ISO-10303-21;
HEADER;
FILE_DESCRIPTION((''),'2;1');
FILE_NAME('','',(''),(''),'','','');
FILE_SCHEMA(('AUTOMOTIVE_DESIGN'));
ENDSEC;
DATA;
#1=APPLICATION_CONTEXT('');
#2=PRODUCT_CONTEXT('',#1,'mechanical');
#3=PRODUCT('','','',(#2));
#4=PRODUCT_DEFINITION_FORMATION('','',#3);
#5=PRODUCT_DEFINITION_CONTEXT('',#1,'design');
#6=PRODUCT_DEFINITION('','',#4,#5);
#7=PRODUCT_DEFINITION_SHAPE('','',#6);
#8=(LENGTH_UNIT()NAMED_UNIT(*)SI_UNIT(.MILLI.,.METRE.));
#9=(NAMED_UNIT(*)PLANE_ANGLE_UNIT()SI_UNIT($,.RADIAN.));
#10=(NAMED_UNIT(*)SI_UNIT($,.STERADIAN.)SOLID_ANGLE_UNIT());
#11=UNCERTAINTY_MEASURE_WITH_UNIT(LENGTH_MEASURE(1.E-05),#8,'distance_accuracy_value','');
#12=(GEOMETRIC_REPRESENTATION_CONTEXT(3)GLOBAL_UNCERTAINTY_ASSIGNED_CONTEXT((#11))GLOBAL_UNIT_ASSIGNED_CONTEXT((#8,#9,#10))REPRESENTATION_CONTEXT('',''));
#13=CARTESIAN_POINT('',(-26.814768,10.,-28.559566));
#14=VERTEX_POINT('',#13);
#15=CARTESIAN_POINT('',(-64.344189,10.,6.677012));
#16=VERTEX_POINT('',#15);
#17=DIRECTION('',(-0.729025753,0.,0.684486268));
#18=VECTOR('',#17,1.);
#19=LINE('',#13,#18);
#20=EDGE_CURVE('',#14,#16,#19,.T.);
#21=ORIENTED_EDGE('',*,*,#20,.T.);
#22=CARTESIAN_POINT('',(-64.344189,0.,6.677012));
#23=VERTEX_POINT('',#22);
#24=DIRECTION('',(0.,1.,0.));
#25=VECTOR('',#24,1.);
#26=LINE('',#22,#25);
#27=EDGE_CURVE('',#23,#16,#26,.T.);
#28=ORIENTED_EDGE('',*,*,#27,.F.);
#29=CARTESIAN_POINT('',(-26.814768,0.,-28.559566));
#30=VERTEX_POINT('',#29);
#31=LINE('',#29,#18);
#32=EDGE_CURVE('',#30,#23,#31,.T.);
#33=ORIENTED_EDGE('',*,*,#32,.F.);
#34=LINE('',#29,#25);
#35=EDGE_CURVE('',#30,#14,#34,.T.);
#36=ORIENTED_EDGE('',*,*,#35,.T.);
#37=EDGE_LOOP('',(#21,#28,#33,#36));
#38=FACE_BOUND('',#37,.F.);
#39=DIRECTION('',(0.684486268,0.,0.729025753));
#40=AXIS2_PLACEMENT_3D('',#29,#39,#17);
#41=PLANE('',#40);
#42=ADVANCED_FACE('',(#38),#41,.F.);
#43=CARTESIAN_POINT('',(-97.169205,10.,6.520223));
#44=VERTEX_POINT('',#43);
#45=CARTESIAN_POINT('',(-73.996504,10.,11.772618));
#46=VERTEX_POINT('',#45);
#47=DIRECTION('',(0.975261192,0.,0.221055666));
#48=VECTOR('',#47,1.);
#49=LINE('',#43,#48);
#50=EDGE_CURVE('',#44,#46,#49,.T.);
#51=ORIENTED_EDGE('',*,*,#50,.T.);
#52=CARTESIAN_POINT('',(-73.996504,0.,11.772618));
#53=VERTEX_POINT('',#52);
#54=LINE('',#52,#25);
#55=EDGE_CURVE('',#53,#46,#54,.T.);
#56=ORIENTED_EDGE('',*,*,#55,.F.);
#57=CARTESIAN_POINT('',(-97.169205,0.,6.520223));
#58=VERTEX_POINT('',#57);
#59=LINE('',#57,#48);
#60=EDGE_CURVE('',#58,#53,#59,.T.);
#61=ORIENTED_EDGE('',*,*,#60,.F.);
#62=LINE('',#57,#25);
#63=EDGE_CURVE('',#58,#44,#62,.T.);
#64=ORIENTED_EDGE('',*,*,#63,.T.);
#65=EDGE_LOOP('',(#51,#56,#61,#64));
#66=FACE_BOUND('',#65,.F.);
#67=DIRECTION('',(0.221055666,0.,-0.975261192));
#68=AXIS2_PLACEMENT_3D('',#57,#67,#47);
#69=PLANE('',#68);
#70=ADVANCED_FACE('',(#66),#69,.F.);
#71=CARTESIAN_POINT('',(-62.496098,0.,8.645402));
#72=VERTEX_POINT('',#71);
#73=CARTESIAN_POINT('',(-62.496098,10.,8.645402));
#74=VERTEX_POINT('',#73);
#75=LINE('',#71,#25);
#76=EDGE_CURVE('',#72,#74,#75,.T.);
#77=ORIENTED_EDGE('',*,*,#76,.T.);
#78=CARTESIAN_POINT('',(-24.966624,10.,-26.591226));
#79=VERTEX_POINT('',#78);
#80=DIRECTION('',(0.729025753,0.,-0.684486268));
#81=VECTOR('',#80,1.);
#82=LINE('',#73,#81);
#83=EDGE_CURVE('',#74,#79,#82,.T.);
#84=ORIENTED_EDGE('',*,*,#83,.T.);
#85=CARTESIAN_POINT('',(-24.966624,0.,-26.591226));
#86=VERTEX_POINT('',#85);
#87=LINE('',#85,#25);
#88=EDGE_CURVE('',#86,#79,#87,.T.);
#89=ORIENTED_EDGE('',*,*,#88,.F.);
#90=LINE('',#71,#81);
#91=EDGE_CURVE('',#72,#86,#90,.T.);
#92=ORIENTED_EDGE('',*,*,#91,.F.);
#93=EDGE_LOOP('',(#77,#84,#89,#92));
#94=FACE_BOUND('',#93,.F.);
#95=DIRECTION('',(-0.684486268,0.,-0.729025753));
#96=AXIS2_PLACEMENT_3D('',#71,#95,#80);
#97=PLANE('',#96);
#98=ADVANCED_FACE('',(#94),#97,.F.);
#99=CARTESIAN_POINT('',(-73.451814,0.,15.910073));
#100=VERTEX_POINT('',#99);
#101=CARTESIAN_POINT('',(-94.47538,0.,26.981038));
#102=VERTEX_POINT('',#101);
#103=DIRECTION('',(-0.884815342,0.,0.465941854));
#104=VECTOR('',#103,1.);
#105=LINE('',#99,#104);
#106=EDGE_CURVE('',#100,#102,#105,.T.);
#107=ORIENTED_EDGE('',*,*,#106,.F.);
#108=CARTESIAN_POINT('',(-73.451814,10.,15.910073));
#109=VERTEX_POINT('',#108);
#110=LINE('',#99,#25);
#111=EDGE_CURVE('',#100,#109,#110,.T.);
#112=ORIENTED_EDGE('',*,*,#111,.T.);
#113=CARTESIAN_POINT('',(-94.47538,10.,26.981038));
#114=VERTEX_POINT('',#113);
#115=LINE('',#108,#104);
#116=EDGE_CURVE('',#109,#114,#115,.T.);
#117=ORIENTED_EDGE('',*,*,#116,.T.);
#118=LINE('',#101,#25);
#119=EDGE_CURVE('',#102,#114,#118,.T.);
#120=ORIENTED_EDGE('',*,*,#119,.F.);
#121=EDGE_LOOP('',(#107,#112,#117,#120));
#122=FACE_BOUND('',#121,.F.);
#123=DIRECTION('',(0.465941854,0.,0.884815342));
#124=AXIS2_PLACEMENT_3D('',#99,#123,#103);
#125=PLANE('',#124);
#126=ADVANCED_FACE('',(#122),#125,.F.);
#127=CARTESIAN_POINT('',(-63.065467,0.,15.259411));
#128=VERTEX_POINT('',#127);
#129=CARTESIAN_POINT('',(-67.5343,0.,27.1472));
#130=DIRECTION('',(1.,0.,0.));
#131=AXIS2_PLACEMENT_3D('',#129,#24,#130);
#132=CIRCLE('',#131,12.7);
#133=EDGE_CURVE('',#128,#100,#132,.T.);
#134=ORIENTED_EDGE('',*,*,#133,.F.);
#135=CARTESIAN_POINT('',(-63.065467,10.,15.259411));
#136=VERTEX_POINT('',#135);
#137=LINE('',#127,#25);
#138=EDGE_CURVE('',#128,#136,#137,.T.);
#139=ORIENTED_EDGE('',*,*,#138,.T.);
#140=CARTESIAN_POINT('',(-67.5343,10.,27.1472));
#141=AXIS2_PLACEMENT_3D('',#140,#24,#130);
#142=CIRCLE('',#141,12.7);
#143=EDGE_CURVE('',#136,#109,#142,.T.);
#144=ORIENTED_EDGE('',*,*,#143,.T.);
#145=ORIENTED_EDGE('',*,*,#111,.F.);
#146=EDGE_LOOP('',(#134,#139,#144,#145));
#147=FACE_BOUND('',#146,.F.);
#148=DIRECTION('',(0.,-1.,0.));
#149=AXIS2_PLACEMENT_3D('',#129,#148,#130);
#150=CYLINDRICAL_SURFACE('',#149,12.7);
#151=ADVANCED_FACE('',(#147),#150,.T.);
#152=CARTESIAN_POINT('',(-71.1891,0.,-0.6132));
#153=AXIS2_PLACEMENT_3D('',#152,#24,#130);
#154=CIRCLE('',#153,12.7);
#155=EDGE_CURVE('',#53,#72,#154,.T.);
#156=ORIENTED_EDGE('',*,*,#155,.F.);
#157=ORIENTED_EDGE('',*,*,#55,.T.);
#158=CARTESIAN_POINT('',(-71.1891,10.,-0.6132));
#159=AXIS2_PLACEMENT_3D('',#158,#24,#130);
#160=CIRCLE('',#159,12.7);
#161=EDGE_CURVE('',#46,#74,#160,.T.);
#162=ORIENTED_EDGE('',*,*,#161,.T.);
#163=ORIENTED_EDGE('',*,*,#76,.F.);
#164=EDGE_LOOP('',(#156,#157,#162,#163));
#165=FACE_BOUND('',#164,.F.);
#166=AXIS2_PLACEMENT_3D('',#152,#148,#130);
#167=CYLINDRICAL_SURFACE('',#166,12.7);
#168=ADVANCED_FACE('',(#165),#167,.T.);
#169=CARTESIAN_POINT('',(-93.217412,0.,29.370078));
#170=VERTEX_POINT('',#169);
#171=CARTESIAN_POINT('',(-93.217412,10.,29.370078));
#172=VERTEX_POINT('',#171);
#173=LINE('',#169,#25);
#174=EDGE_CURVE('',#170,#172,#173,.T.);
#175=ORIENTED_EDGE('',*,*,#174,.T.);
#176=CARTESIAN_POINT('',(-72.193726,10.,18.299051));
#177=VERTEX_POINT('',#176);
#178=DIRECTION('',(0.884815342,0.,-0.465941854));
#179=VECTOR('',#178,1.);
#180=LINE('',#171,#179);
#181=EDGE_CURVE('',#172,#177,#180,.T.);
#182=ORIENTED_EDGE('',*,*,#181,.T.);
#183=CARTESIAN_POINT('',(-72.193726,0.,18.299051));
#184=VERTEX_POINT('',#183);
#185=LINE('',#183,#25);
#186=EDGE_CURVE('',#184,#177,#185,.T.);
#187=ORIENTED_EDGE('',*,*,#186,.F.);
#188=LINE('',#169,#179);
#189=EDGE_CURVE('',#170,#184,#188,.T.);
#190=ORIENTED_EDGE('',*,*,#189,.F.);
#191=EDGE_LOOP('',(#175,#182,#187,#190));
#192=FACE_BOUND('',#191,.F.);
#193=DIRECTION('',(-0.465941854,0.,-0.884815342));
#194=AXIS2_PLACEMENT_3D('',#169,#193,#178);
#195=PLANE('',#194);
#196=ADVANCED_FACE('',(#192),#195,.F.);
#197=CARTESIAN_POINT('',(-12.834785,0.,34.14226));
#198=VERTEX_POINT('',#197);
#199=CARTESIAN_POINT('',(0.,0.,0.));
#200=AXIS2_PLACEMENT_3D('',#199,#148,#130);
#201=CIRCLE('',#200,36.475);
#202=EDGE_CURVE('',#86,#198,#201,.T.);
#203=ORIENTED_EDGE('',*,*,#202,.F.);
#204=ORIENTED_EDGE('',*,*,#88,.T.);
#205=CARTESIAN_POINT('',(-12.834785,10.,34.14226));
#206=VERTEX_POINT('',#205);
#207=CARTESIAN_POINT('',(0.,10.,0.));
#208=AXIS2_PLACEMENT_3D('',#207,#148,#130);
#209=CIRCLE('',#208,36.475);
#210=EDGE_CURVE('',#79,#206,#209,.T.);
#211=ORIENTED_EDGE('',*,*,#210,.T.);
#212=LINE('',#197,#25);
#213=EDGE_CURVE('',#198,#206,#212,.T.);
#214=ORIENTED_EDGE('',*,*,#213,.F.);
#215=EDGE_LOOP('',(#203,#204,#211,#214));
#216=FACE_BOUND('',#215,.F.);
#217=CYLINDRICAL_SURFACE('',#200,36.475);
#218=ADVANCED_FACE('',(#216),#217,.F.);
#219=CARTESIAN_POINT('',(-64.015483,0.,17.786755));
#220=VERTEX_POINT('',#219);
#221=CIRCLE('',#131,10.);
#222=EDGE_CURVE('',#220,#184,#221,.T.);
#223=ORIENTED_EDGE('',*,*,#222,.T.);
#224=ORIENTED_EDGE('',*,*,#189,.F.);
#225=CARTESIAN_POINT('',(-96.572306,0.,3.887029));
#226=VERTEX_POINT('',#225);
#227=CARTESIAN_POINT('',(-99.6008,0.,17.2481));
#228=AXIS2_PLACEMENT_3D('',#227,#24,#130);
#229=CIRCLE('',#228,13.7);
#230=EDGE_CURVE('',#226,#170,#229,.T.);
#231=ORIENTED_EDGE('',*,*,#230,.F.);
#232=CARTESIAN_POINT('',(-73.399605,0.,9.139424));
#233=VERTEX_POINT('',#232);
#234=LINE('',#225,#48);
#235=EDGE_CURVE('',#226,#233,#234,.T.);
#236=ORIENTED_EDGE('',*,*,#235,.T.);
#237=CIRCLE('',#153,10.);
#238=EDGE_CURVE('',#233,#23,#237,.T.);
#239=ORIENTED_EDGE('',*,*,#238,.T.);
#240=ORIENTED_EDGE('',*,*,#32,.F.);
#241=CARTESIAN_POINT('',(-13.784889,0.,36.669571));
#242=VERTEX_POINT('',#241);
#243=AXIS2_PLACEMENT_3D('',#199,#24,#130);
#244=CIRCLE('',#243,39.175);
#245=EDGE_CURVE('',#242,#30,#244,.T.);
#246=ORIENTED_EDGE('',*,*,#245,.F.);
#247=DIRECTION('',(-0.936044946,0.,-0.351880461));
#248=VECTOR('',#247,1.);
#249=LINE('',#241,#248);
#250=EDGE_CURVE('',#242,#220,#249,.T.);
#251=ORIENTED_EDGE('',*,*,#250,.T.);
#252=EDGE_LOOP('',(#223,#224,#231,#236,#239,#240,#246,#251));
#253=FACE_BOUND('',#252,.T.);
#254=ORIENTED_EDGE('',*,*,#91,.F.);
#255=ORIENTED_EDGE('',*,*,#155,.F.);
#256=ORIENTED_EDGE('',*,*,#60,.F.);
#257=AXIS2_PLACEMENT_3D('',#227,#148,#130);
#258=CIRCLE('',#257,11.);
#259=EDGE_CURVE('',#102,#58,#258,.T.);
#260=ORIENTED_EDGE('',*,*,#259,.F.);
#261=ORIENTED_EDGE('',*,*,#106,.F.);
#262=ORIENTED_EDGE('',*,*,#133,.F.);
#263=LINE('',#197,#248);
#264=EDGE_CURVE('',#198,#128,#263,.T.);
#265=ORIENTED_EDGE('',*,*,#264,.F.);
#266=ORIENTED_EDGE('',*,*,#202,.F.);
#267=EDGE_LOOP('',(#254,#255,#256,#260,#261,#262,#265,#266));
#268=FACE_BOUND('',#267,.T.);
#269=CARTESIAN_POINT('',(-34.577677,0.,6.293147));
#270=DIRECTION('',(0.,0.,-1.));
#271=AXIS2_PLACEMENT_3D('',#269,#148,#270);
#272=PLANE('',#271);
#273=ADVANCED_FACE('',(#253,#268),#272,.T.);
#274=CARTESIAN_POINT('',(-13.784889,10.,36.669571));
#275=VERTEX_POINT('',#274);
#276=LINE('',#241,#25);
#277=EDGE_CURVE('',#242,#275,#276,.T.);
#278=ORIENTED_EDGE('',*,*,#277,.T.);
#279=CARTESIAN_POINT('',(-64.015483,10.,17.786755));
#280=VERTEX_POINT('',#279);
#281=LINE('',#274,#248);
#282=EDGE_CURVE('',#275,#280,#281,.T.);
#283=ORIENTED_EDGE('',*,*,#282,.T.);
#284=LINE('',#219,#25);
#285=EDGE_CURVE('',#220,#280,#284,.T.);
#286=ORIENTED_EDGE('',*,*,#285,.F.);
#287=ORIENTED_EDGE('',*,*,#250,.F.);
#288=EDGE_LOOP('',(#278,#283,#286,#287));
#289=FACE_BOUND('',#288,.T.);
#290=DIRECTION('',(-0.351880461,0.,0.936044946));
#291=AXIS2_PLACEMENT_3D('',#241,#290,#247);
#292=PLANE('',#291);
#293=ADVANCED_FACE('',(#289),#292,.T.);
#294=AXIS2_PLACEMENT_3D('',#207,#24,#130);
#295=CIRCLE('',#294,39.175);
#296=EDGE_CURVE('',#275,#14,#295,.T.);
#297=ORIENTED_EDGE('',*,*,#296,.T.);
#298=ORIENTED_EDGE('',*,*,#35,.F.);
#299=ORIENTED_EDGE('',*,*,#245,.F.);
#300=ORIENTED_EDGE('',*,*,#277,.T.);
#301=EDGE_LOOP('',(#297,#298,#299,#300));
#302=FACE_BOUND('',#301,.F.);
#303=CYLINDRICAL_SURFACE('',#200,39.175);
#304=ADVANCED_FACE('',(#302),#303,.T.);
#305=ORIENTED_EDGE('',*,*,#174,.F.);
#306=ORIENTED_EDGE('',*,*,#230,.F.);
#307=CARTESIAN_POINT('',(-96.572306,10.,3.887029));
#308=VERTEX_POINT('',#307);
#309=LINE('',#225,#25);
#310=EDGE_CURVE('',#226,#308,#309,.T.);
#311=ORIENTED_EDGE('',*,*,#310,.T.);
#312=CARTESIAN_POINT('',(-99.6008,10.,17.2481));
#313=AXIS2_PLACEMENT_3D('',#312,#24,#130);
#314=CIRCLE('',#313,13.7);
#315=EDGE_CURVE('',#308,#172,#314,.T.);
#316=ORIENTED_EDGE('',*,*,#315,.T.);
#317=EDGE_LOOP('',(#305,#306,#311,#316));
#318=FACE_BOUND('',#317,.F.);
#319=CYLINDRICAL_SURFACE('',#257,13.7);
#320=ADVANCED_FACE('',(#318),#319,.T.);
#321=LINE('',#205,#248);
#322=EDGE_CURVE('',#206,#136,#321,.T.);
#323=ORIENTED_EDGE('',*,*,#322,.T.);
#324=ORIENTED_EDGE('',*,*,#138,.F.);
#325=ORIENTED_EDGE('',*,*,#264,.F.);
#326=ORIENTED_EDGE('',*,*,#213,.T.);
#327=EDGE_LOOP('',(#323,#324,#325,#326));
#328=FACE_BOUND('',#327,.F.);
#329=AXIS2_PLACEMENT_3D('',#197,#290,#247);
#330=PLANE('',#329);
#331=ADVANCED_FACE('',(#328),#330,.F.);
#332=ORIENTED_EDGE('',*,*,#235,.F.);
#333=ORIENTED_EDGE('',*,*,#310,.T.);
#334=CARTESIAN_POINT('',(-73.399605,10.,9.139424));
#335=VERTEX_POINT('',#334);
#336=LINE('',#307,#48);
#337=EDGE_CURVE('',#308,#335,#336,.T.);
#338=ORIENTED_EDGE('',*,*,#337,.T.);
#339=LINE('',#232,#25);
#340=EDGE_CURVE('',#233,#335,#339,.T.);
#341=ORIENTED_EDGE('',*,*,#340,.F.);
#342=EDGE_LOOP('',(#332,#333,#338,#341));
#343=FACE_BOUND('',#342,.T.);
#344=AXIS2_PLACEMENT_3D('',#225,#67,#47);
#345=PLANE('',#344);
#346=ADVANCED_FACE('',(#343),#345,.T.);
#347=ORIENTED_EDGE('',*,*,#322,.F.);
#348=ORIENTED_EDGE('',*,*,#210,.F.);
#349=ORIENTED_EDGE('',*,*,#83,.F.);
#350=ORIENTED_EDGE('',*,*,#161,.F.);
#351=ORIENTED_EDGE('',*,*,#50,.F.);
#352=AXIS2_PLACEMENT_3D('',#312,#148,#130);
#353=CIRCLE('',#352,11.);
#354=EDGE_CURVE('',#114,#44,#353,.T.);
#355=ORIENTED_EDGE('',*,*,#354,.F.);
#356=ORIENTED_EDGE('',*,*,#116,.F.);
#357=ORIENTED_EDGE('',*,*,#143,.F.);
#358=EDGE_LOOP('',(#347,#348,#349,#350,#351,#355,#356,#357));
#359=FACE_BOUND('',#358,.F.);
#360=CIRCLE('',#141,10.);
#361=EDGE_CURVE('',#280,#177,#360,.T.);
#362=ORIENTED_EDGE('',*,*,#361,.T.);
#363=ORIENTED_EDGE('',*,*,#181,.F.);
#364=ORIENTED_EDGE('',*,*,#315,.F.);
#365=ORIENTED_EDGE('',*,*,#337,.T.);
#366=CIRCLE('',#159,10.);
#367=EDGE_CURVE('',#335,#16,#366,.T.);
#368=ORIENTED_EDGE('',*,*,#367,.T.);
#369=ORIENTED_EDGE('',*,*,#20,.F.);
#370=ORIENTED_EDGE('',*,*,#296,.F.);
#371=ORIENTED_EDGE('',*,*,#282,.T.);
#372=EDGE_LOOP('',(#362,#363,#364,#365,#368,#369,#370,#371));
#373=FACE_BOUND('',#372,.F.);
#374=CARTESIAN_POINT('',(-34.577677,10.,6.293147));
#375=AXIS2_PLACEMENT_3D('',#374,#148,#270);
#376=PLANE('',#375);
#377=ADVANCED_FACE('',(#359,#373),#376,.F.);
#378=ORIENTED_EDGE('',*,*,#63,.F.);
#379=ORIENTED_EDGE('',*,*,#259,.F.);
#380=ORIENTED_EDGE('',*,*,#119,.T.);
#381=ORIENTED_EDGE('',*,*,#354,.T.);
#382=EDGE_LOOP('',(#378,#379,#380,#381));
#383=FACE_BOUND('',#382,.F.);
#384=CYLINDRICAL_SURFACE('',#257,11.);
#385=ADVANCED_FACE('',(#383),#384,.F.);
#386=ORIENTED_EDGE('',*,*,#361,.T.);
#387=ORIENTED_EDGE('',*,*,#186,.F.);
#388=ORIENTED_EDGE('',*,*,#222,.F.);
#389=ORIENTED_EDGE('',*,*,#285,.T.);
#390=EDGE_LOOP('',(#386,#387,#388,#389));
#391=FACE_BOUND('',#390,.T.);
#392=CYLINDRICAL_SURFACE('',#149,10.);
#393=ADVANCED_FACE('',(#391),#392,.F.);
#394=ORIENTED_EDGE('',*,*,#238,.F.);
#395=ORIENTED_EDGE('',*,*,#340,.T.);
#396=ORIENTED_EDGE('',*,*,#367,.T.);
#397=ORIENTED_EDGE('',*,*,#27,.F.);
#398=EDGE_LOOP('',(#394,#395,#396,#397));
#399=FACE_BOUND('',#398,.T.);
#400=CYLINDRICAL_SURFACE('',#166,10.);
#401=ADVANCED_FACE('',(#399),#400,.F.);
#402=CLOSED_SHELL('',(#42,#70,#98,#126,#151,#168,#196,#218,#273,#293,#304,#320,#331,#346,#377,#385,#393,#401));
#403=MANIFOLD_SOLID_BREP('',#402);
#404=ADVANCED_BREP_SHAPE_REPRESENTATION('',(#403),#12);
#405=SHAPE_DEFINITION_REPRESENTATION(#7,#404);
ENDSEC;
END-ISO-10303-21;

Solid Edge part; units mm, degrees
sketch "Sketch1" plane through (0, 0, 0) normal (0, -1, 0) x (1, 0, 0)
  line L0 (-13.7849, 36.6696) -> (-64.0155, 17.7868)
  arc A0 (-64.0155, 17.7868) -> (-72.1937, 18.2991) centre (-67.5343, 27.1472) cw
  line L1 (-93.2174, 29.3701) -> (-72.1937, 18.2991)
  arc A1 (-96.5723, 3.887) -> (-93.2174, 29.3701) centre (-99.6008, 17.2481) cw
  line L2 (-96.5723, 3.887) -> (-73.3996, 9.1394)
  arc A2 (-73.3996, 9.1394) -> (-64.3442, 6.677) centre (-71.1891, -0.6132) cw
  line L3 (-26.8148, -28.5596) -> (-64.3442, 6.677)
  arc A3 (-13.7849, 36.6696) -> (-26.8148, -28.5596) centre (0, 0) cw
  line L4 (-12.8348, 34.1423) -> (-63.0655, 15.2595)
  arc A4 (-63.0655, 15.2595) -> (-73.4518, 15.9101) centre (-67.5343, 27.1472) cw
  line L5 (-73.4518, 15.9101) -> (-94.4754, 26.981)
  arc A5 (-94.4754, 26.981) -> (-97.1692, 6.5202) centre (-99.6008, 17.2481) ccw
  line L6 (-97.1692, 6.5202) -> (-73.9965, 11.7726)
  arc A6 (-73.9965, 11.7726) -> (-62.4961, 8.6454) centre (-71.1891, -0.6132) cw
  line L7 (-62.4961, 8.6454) -> (-24.9666, -26.5912)
  arc A7 (-24.9666, -26.5912) -> (-12.8348, 34.1423) centre (0, 0) ccw
  dimension "D1" = 2.7
extrude "Protrusion1" add sketch "Sketch1" against normal blind 10
properties part number "1976-1200-C05" material "Poliuretano"
